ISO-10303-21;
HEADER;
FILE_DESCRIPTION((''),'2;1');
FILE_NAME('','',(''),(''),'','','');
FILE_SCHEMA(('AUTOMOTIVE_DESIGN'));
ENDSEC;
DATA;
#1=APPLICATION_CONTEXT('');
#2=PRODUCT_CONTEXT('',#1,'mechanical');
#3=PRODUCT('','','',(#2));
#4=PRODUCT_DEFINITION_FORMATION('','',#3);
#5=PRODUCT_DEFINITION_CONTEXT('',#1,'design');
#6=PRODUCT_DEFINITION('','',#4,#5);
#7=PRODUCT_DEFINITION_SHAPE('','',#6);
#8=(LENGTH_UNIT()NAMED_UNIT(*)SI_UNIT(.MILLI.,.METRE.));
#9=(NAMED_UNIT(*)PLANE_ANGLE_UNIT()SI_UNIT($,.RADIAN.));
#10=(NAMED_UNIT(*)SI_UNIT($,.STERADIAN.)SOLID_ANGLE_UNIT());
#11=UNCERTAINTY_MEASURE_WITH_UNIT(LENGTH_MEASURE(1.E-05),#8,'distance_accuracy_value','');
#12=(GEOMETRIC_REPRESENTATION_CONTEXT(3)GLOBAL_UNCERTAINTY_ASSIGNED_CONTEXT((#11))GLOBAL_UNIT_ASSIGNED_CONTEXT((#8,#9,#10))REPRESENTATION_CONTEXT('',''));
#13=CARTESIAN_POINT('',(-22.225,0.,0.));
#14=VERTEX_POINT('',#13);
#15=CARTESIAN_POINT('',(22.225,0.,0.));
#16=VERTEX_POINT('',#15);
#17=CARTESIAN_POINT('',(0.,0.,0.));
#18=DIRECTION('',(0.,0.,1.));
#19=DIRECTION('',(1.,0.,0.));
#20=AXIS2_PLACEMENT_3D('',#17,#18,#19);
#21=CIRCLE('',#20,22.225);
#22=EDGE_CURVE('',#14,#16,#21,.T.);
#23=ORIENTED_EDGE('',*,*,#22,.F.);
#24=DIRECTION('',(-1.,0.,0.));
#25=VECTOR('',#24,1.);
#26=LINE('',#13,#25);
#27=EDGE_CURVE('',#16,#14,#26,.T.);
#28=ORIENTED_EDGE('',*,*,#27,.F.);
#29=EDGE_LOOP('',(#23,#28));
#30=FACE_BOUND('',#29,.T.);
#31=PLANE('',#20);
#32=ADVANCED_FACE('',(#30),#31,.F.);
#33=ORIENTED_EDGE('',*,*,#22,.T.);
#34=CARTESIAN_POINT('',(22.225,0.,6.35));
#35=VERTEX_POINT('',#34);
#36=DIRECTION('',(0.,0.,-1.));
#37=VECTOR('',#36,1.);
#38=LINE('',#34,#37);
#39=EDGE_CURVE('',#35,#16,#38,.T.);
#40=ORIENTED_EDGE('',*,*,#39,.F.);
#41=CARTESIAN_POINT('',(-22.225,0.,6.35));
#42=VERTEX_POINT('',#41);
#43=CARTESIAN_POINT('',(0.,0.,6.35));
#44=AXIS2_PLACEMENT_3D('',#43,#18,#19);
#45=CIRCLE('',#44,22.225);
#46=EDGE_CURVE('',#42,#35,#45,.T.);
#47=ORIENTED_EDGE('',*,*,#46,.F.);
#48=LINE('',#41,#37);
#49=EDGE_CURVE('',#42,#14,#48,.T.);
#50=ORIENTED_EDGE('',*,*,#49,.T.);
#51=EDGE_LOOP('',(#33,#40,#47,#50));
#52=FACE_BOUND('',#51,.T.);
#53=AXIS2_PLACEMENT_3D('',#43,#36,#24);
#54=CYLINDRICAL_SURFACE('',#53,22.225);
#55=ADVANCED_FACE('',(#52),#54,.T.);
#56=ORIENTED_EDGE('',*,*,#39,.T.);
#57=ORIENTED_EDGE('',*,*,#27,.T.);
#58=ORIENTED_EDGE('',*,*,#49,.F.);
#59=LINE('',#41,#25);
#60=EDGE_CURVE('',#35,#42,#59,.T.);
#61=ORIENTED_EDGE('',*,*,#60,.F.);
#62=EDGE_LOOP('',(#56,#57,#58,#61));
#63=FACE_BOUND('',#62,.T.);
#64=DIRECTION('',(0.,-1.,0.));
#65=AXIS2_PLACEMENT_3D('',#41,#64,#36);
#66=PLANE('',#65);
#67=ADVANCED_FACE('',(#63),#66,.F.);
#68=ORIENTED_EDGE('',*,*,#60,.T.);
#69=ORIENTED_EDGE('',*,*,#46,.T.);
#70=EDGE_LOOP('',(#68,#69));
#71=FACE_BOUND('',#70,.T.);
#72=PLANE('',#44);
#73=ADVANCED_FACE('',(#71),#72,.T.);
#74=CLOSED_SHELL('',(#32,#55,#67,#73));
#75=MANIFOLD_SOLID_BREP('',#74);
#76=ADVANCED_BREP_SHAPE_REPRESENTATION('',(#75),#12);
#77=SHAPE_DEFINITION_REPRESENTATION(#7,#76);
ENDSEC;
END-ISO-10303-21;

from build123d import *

# Parameters (mm, degrees)
BOSS_EXTRUDE1_DEPTH = 6.35


with BuildPart() as part:
    # Sketch1 → Boss-Extrude1 (new body)
    with BuildSketch(Plane.XY):
        with BuildLine():
            Line((-22.225, 0), (22.225, 0))
            ThreePointArc((22.225, 0), (0, -22.225), (-22.225, 0))
        make_face()
    extrude(amount=BOSS_EXTRUDE1_DEPTH)


solid = part.part
